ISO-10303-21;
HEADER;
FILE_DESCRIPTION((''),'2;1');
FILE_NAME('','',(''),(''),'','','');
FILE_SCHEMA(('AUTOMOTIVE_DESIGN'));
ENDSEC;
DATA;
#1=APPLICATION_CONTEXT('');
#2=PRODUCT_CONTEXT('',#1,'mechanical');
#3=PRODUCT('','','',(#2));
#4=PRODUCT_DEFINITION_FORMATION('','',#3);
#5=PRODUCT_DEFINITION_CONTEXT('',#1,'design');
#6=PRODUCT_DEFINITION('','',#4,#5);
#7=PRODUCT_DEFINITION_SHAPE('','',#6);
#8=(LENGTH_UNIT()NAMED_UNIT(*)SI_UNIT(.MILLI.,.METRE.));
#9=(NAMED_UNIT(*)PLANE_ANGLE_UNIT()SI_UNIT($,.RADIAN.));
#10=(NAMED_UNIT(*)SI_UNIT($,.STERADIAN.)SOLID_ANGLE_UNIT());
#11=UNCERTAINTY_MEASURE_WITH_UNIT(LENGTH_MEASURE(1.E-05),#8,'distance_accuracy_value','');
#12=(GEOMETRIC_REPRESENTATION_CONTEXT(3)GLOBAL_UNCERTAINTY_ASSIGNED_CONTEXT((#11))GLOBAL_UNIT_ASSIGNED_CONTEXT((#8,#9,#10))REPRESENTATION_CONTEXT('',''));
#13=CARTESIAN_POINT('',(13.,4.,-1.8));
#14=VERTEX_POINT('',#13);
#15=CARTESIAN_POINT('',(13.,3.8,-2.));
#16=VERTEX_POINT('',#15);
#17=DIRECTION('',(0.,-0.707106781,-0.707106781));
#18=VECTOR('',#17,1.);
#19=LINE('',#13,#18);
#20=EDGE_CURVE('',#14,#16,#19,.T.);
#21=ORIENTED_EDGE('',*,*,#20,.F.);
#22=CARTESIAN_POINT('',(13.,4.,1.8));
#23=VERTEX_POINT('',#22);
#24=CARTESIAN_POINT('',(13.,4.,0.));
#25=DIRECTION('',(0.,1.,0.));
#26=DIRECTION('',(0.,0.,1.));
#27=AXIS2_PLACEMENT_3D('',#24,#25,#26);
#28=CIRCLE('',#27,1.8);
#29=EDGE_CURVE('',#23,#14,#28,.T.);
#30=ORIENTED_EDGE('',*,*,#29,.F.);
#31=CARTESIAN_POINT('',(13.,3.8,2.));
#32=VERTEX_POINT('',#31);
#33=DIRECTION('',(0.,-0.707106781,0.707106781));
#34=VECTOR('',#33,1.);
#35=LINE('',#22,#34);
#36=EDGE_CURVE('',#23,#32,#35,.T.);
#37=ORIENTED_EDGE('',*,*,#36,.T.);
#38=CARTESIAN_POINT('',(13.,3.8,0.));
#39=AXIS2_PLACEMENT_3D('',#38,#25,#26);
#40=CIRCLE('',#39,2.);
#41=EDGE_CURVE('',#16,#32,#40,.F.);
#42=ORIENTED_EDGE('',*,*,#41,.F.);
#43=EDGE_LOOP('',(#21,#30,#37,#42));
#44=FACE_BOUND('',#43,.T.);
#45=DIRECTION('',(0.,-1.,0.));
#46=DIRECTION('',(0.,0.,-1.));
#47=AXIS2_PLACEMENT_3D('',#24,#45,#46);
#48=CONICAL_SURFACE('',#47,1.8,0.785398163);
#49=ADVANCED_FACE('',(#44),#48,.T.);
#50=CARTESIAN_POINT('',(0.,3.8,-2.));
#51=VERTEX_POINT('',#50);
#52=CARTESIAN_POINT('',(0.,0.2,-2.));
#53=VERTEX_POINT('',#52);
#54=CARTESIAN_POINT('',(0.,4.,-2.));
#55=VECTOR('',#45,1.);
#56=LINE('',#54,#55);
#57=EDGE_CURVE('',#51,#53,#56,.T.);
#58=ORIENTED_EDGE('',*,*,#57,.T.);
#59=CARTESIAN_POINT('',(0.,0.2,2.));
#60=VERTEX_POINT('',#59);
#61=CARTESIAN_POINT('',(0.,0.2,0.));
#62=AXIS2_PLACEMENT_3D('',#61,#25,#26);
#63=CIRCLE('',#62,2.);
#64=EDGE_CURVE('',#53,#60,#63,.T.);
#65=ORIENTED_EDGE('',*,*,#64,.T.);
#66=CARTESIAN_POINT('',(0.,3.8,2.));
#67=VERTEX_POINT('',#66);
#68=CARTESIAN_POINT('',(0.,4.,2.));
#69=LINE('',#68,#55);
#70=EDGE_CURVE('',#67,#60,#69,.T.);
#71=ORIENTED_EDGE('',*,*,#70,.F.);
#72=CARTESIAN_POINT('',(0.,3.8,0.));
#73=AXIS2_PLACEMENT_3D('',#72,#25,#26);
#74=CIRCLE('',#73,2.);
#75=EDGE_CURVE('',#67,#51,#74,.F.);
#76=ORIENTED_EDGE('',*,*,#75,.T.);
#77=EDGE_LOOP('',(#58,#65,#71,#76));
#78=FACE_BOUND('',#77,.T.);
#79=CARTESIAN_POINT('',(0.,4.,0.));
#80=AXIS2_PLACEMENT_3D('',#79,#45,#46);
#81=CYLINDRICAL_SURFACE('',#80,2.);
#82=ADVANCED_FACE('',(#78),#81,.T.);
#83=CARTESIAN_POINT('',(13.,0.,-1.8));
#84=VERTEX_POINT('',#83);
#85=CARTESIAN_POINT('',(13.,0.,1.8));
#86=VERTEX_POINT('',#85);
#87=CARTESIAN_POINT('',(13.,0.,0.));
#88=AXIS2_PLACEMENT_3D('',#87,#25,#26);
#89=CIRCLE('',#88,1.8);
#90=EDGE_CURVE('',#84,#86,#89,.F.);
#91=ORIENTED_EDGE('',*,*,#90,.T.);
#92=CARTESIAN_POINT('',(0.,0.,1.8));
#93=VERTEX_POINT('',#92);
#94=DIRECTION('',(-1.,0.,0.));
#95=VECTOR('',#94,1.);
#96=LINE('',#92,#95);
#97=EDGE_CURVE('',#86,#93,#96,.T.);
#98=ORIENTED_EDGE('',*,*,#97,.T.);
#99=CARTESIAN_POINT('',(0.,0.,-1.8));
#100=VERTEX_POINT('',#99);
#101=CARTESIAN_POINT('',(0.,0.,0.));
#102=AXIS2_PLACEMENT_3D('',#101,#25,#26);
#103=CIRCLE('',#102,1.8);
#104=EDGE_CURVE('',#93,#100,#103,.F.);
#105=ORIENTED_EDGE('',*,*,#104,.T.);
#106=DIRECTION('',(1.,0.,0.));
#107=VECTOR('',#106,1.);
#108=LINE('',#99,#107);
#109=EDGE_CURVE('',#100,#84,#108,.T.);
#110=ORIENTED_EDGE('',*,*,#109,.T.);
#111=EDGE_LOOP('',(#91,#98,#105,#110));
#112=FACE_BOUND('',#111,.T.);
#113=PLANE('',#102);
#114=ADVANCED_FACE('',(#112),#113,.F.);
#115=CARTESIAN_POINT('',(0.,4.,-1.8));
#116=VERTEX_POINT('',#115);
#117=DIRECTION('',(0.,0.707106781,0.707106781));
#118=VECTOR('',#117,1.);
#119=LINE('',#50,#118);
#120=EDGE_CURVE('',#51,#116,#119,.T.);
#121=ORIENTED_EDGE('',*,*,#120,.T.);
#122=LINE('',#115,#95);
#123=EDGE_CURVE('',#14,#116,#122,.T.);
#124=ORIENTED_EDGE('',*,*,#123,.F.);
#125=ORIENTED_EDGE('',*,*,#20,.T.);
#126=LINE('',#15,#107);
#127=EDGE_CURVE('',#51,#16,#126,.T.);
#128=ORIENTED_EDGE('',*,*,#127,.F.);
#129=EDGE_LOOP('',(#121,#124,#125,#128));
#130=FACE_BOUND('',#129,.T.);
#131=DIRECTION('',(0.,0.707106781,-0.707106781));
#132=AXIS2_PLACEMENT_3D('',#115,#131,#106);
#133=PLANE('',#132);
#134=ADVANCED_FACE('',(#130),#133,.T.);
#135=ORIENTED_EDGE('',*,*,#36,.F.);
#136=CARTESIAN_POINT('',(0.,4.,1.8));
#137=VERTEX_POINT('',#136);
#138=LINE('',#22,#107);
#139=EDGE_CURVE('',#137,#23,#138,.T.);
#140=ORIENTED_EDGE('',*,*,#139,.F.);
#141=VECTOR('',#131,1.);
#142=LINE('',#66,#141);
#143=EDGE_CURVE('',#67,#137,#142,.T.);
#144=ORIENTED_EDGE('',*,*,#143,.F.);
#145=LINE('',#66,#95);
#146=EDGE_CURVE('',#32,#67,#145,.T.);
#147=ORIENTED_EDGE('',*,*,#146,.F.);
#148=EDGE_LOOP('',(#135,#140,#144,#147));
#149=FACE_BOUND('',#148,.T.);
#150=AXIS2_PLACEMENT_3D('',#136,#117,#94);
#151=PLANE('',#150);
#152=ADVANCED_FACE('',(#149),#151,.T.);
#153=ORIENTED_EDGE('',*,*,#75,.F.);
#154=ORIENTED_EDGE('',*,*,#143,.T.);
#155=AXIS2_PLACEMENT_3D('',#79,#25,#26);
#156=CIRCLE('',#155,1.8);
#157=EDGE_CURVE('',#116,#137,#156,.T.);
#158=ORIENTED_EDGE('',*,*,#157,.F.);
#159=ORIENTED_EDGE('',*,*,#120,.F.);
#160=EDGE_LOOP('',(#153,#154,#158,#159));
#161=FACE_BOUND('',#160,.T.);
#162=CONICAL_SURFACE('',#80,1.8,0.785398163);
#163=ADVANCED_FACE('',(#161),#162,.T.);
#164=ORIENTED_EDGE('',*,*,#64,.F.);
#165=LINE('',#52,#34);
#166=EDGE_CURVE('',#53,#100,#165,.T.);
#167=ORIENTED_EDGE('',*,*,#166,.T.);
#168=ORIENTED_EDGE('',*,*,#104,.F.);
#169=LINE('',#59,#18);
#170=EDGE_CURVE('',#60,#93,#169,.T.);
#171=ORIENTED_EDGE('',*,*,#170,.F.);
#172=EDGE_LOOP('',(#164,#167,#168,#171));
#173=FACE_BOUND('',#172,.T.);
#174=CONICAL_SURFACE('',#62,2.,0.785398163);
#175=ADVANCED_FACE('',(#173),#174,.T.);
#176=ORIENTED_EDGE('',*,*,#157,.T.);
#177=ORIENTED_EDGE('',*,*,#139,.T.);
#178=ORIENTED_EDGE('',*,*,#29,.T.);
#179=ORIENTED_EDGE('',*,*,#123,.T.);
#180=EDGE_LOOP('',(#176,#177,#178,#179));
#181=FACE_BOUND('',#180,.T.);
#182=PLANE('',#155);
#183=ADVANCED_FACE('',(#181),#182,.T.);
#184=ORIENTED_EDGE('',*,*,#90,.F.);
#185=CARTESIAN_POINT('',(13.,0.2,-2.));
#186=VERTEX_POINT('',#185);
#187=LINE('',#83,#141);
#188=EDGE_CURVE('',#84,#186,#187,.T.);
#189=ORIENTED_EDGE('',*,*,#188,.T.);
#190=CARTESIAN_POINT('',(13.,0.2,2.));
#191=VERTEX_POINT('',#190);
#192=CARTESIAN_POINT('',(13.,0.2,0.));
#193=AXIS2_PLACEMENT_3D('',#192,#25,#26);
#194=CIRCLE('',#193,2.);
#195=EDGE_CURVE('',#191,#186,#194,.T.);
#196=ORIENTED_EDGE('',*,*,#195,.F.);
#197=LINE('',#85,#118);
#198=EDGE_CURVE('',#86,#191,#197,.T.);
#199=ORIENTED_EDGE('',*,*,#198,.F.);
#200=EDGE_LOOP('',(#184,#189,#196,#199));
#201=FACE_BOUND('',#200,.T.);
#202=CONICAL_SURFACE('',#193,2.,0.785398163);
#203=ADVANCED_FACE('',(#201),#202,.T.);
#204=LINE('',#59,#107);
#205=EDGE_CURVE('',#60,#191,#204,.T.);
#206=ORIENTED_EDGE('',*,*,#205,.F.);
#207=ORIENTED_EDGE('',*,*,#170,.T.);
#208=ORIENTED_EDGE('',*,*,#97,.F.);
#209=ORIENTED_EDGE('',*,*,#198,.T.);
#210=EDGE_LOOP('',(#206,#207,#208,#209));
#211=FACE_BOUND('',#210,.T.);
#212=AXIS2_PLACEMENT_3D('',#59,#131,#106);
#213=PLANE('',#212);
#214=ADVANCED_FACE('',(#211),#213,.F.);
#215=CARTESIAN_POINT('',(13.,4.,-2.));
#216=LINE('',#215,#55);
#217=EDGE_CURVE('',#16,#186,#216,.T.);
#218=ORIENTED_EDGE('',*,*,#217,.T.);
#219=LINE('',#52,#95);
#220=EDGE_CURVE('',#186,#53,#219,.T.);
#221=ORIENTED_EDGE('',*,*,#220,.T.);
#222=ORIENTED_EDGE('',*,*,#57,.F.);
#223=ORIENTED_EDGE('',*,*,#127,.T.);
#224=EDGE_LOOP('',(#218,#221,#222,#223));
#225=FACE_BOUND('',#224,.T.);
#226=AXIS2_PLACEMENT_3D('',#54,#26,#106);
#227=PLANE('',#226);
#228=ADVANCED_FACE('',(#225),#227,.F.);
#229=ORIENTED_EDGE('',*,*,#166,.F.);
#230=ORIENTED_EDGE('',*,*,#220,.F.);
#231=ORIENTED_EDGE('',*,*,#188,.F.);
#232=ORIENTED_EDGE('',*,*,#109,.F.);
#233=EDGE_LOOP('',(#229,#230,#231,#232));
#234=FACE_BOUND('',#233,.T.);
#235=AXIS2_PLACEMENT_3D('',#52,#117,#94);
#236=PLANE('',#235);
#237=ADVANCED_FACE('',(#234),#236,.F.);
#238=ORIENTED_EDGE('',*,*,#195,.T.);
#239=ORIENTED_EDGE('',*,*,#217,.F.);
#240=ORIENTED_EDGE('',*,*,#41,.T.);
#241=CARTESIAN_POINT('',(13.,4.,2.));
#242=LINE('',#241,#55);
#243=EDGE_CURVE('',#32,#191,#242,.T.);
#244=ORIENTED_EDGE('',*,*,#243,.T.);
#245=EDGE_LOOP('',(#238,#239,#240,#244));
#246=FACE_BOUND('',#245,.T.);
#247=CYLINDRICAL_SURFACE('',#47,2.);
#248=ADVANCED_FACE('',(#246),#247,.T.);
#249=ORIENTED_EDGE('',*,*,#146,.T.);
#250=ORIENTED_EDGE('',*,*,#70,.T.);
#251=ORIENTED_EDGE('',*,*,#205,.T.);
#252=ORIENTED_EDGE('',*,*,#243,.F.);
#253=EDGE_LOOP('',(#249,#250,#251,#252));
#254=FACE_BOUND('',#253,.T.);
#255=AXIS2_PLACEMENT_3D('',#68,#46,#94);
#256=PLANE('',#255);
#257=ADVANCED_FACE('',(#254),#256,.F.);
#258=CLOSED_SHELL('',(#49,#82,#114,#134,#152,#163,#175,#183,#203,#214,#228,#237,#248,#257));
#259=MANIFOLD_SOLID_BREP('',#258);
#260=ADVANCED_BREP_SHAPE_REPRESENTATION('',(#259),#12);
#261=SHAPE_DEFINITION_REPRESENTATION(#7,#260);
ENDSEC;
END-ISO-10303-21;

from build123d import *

# Parameters (mm, degrees)
BOSS_EXTRUDE2_DEPTH = 4
CHAMFER2_SIZE       = 0.2


with BuildPart() as part:
    # Sketch2 → Boss-Extrude2 (new body)
    with BuildSketch(Plane(origin=(0, 0, 0), x_dir=(1, 0, 0), z_dir=(0, 1, 0))):
        with BuildLine():
            Line((0, 2), (13, 2))
            ThreePointArc((13, 2), (15, 0), (13, -2))
            Line((13, -2), (0, -2))
            ThreePointArc((0, -2), (-2, 0), (0, 2))
        make_face()
    extrude(amount=BOSS_EXTRUDE2_DEPTH)

    # Chamfer2
    chamfer2_edges = [part.edges().sort_by_distance(p)[0] for p in [
        (15, 4, 0),
        (6.5, 4, -2),
        (-2, 4, 0),
        (6.5, 0, -2),
        (15, 0, 0),
        (6.5, 0, 2),
        (-2, 0, 0),
        (6.5, 4, 2),
    ]]
    chamfer(chamfer2_edges, length=CHAMFER2_SIZE)


solid = part.part
